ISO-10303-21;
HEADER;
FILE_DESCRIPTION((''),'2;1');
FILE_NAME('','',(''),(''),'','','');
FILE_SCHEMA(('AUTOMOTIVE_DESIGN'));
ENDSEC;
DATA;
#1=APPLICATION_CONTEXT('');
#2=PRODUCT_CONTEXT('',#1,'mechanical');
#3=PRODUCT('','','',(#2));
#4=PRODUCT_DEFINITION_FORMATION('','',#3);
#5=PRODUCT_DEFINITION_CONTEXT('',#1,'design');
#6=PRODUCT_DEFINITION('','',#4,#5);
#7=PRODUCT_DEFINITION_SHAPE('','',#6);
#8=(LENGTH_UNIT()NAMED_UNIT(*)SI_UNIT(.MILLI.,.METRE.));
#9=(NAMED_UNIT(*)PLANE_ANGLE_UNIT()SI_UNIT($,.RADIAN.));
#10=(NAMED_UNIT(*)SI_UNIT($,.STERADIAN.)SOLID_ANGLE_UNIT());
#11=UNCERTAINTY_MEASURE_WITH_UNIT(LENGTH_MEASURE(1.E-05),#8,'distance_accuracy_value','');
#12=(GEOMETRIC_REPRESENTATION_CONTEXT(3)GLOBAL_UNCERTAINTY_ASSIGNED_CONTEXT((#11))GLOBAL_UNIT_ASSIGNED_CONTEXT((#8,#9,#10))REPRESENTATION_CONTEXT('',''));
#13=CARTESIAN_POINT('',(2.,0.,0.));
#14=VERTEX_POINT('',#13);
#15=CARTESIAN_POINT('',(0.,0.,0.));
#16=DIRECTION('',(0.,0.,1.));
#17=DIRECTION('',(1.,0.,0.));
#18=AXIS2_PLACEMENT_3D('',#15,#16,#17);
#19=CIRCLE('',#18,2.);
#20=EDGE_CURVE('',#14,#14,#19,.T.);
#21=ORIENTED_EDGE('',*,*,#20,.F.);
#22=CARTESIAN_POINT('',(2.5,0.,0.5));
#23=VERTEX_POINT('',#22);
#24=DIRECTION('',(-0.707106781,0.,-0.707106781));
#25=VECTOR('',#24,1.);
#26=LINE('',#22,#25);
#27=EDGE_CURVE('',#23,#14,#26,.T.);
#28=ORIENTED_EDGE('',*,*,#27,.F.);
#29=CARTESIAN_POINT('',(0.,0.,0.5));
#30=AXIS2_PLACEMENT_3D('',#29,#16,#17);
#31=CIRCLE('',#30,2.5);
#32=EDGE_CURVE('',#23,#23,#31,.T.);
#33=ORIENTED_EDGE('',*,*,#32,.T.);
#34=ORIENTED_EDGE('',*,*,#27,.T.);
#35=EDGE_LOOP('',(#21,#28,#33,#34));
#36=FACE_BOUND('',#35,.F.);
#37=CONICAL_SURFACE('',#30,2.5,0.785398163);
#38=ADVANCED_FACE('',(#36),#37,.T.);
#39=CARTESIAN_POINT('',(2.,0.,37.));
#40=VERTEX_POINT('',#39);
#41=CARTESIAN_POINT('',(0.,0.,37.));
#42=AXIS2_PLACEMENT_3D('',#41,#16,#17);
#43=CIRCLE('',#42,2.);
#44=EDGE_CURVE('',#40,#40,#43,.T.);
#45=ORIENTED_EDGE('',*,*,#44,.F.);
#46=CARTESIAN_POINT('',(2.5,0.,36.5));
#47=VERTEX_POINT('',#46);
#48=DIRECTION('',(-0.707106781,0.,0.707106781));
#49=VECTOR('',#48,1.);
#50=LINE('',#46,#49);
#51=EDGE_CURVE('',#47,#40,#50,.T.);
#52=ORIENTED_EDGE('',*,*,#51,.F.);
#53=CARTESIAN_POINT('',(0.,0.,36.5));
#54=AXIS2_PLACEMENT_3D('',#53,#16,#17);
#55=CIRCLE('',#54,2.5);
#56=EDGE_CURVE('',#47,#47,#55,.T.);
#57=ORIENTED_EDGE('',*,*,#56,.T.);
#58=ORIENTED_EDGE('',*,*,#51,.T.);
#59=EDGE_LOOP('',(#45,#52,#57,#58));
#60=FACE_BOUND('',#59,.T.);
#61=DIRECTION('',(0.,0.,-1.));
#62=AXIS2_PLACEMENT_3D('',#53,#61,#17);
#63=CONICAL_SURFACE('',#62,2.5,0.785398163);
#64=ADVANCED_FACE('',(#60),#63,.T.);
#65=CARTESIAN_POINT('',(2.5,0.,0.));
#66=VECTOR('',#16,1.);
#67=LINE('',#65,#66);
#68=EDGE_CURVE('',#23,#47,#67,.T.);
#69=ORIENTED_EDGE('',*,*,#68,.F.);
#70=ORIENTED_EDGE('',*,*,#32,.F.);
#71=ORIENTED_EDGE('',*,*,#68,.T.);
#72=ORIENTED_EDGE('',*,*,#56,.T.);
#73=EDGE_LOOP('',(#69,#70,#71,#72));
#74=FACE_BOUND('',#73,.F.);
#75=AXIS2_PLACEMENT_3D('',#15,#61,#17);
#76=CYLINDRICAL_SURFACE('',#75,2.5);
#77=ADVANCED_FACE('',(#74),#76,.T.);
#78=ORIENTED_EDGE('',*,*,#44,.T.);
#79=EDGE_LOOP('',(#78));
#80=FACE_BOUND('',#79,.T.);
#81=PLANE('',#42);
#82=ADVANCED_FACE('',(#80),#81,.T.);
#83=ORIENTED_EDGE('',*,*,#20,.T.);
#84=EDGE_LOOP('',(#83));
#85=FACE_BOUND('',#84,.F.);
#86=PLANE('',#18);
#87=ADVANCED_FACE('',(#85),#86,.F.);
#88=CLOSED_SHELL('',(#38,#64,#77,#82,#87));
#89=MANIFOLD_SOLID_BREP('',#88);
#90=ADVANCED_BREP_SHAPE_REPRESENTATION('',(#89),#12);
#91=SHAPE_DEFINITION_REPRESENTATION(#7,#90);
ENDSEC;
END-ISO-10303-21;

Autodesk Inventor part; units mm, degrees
ref_plane "YZ Plane" through (0, 0, 0) normal (1, 0, 0) x (0, 1, 0)
ref_plane "XZ Plane" through (0, 0, 0) normal (0, 1, 0) x (-1, 0, 0)
ref_plane "XY Plane" through (0, 0, 0) normal (0, 0, 1) x (1, 0, 0)
sketch "Sketch1" plane through (0, 0, 0) normal (0, 0, 1) x (1, 0, 0)
  circle A0 centre (0, 0) radius 2.5
  dimension "d0" = 5
extrude "Extrusion1" add sketch "Sketch1" along normal blind 37
chamfer "Chamfer1" distance 0.5 angle 45 2 edges at (-2.5, 0, 37) (-2.5, 0, 0)
properties part number "CUT_STEEL_5x37mm_Linear_rod" material "Stainless Steel"
